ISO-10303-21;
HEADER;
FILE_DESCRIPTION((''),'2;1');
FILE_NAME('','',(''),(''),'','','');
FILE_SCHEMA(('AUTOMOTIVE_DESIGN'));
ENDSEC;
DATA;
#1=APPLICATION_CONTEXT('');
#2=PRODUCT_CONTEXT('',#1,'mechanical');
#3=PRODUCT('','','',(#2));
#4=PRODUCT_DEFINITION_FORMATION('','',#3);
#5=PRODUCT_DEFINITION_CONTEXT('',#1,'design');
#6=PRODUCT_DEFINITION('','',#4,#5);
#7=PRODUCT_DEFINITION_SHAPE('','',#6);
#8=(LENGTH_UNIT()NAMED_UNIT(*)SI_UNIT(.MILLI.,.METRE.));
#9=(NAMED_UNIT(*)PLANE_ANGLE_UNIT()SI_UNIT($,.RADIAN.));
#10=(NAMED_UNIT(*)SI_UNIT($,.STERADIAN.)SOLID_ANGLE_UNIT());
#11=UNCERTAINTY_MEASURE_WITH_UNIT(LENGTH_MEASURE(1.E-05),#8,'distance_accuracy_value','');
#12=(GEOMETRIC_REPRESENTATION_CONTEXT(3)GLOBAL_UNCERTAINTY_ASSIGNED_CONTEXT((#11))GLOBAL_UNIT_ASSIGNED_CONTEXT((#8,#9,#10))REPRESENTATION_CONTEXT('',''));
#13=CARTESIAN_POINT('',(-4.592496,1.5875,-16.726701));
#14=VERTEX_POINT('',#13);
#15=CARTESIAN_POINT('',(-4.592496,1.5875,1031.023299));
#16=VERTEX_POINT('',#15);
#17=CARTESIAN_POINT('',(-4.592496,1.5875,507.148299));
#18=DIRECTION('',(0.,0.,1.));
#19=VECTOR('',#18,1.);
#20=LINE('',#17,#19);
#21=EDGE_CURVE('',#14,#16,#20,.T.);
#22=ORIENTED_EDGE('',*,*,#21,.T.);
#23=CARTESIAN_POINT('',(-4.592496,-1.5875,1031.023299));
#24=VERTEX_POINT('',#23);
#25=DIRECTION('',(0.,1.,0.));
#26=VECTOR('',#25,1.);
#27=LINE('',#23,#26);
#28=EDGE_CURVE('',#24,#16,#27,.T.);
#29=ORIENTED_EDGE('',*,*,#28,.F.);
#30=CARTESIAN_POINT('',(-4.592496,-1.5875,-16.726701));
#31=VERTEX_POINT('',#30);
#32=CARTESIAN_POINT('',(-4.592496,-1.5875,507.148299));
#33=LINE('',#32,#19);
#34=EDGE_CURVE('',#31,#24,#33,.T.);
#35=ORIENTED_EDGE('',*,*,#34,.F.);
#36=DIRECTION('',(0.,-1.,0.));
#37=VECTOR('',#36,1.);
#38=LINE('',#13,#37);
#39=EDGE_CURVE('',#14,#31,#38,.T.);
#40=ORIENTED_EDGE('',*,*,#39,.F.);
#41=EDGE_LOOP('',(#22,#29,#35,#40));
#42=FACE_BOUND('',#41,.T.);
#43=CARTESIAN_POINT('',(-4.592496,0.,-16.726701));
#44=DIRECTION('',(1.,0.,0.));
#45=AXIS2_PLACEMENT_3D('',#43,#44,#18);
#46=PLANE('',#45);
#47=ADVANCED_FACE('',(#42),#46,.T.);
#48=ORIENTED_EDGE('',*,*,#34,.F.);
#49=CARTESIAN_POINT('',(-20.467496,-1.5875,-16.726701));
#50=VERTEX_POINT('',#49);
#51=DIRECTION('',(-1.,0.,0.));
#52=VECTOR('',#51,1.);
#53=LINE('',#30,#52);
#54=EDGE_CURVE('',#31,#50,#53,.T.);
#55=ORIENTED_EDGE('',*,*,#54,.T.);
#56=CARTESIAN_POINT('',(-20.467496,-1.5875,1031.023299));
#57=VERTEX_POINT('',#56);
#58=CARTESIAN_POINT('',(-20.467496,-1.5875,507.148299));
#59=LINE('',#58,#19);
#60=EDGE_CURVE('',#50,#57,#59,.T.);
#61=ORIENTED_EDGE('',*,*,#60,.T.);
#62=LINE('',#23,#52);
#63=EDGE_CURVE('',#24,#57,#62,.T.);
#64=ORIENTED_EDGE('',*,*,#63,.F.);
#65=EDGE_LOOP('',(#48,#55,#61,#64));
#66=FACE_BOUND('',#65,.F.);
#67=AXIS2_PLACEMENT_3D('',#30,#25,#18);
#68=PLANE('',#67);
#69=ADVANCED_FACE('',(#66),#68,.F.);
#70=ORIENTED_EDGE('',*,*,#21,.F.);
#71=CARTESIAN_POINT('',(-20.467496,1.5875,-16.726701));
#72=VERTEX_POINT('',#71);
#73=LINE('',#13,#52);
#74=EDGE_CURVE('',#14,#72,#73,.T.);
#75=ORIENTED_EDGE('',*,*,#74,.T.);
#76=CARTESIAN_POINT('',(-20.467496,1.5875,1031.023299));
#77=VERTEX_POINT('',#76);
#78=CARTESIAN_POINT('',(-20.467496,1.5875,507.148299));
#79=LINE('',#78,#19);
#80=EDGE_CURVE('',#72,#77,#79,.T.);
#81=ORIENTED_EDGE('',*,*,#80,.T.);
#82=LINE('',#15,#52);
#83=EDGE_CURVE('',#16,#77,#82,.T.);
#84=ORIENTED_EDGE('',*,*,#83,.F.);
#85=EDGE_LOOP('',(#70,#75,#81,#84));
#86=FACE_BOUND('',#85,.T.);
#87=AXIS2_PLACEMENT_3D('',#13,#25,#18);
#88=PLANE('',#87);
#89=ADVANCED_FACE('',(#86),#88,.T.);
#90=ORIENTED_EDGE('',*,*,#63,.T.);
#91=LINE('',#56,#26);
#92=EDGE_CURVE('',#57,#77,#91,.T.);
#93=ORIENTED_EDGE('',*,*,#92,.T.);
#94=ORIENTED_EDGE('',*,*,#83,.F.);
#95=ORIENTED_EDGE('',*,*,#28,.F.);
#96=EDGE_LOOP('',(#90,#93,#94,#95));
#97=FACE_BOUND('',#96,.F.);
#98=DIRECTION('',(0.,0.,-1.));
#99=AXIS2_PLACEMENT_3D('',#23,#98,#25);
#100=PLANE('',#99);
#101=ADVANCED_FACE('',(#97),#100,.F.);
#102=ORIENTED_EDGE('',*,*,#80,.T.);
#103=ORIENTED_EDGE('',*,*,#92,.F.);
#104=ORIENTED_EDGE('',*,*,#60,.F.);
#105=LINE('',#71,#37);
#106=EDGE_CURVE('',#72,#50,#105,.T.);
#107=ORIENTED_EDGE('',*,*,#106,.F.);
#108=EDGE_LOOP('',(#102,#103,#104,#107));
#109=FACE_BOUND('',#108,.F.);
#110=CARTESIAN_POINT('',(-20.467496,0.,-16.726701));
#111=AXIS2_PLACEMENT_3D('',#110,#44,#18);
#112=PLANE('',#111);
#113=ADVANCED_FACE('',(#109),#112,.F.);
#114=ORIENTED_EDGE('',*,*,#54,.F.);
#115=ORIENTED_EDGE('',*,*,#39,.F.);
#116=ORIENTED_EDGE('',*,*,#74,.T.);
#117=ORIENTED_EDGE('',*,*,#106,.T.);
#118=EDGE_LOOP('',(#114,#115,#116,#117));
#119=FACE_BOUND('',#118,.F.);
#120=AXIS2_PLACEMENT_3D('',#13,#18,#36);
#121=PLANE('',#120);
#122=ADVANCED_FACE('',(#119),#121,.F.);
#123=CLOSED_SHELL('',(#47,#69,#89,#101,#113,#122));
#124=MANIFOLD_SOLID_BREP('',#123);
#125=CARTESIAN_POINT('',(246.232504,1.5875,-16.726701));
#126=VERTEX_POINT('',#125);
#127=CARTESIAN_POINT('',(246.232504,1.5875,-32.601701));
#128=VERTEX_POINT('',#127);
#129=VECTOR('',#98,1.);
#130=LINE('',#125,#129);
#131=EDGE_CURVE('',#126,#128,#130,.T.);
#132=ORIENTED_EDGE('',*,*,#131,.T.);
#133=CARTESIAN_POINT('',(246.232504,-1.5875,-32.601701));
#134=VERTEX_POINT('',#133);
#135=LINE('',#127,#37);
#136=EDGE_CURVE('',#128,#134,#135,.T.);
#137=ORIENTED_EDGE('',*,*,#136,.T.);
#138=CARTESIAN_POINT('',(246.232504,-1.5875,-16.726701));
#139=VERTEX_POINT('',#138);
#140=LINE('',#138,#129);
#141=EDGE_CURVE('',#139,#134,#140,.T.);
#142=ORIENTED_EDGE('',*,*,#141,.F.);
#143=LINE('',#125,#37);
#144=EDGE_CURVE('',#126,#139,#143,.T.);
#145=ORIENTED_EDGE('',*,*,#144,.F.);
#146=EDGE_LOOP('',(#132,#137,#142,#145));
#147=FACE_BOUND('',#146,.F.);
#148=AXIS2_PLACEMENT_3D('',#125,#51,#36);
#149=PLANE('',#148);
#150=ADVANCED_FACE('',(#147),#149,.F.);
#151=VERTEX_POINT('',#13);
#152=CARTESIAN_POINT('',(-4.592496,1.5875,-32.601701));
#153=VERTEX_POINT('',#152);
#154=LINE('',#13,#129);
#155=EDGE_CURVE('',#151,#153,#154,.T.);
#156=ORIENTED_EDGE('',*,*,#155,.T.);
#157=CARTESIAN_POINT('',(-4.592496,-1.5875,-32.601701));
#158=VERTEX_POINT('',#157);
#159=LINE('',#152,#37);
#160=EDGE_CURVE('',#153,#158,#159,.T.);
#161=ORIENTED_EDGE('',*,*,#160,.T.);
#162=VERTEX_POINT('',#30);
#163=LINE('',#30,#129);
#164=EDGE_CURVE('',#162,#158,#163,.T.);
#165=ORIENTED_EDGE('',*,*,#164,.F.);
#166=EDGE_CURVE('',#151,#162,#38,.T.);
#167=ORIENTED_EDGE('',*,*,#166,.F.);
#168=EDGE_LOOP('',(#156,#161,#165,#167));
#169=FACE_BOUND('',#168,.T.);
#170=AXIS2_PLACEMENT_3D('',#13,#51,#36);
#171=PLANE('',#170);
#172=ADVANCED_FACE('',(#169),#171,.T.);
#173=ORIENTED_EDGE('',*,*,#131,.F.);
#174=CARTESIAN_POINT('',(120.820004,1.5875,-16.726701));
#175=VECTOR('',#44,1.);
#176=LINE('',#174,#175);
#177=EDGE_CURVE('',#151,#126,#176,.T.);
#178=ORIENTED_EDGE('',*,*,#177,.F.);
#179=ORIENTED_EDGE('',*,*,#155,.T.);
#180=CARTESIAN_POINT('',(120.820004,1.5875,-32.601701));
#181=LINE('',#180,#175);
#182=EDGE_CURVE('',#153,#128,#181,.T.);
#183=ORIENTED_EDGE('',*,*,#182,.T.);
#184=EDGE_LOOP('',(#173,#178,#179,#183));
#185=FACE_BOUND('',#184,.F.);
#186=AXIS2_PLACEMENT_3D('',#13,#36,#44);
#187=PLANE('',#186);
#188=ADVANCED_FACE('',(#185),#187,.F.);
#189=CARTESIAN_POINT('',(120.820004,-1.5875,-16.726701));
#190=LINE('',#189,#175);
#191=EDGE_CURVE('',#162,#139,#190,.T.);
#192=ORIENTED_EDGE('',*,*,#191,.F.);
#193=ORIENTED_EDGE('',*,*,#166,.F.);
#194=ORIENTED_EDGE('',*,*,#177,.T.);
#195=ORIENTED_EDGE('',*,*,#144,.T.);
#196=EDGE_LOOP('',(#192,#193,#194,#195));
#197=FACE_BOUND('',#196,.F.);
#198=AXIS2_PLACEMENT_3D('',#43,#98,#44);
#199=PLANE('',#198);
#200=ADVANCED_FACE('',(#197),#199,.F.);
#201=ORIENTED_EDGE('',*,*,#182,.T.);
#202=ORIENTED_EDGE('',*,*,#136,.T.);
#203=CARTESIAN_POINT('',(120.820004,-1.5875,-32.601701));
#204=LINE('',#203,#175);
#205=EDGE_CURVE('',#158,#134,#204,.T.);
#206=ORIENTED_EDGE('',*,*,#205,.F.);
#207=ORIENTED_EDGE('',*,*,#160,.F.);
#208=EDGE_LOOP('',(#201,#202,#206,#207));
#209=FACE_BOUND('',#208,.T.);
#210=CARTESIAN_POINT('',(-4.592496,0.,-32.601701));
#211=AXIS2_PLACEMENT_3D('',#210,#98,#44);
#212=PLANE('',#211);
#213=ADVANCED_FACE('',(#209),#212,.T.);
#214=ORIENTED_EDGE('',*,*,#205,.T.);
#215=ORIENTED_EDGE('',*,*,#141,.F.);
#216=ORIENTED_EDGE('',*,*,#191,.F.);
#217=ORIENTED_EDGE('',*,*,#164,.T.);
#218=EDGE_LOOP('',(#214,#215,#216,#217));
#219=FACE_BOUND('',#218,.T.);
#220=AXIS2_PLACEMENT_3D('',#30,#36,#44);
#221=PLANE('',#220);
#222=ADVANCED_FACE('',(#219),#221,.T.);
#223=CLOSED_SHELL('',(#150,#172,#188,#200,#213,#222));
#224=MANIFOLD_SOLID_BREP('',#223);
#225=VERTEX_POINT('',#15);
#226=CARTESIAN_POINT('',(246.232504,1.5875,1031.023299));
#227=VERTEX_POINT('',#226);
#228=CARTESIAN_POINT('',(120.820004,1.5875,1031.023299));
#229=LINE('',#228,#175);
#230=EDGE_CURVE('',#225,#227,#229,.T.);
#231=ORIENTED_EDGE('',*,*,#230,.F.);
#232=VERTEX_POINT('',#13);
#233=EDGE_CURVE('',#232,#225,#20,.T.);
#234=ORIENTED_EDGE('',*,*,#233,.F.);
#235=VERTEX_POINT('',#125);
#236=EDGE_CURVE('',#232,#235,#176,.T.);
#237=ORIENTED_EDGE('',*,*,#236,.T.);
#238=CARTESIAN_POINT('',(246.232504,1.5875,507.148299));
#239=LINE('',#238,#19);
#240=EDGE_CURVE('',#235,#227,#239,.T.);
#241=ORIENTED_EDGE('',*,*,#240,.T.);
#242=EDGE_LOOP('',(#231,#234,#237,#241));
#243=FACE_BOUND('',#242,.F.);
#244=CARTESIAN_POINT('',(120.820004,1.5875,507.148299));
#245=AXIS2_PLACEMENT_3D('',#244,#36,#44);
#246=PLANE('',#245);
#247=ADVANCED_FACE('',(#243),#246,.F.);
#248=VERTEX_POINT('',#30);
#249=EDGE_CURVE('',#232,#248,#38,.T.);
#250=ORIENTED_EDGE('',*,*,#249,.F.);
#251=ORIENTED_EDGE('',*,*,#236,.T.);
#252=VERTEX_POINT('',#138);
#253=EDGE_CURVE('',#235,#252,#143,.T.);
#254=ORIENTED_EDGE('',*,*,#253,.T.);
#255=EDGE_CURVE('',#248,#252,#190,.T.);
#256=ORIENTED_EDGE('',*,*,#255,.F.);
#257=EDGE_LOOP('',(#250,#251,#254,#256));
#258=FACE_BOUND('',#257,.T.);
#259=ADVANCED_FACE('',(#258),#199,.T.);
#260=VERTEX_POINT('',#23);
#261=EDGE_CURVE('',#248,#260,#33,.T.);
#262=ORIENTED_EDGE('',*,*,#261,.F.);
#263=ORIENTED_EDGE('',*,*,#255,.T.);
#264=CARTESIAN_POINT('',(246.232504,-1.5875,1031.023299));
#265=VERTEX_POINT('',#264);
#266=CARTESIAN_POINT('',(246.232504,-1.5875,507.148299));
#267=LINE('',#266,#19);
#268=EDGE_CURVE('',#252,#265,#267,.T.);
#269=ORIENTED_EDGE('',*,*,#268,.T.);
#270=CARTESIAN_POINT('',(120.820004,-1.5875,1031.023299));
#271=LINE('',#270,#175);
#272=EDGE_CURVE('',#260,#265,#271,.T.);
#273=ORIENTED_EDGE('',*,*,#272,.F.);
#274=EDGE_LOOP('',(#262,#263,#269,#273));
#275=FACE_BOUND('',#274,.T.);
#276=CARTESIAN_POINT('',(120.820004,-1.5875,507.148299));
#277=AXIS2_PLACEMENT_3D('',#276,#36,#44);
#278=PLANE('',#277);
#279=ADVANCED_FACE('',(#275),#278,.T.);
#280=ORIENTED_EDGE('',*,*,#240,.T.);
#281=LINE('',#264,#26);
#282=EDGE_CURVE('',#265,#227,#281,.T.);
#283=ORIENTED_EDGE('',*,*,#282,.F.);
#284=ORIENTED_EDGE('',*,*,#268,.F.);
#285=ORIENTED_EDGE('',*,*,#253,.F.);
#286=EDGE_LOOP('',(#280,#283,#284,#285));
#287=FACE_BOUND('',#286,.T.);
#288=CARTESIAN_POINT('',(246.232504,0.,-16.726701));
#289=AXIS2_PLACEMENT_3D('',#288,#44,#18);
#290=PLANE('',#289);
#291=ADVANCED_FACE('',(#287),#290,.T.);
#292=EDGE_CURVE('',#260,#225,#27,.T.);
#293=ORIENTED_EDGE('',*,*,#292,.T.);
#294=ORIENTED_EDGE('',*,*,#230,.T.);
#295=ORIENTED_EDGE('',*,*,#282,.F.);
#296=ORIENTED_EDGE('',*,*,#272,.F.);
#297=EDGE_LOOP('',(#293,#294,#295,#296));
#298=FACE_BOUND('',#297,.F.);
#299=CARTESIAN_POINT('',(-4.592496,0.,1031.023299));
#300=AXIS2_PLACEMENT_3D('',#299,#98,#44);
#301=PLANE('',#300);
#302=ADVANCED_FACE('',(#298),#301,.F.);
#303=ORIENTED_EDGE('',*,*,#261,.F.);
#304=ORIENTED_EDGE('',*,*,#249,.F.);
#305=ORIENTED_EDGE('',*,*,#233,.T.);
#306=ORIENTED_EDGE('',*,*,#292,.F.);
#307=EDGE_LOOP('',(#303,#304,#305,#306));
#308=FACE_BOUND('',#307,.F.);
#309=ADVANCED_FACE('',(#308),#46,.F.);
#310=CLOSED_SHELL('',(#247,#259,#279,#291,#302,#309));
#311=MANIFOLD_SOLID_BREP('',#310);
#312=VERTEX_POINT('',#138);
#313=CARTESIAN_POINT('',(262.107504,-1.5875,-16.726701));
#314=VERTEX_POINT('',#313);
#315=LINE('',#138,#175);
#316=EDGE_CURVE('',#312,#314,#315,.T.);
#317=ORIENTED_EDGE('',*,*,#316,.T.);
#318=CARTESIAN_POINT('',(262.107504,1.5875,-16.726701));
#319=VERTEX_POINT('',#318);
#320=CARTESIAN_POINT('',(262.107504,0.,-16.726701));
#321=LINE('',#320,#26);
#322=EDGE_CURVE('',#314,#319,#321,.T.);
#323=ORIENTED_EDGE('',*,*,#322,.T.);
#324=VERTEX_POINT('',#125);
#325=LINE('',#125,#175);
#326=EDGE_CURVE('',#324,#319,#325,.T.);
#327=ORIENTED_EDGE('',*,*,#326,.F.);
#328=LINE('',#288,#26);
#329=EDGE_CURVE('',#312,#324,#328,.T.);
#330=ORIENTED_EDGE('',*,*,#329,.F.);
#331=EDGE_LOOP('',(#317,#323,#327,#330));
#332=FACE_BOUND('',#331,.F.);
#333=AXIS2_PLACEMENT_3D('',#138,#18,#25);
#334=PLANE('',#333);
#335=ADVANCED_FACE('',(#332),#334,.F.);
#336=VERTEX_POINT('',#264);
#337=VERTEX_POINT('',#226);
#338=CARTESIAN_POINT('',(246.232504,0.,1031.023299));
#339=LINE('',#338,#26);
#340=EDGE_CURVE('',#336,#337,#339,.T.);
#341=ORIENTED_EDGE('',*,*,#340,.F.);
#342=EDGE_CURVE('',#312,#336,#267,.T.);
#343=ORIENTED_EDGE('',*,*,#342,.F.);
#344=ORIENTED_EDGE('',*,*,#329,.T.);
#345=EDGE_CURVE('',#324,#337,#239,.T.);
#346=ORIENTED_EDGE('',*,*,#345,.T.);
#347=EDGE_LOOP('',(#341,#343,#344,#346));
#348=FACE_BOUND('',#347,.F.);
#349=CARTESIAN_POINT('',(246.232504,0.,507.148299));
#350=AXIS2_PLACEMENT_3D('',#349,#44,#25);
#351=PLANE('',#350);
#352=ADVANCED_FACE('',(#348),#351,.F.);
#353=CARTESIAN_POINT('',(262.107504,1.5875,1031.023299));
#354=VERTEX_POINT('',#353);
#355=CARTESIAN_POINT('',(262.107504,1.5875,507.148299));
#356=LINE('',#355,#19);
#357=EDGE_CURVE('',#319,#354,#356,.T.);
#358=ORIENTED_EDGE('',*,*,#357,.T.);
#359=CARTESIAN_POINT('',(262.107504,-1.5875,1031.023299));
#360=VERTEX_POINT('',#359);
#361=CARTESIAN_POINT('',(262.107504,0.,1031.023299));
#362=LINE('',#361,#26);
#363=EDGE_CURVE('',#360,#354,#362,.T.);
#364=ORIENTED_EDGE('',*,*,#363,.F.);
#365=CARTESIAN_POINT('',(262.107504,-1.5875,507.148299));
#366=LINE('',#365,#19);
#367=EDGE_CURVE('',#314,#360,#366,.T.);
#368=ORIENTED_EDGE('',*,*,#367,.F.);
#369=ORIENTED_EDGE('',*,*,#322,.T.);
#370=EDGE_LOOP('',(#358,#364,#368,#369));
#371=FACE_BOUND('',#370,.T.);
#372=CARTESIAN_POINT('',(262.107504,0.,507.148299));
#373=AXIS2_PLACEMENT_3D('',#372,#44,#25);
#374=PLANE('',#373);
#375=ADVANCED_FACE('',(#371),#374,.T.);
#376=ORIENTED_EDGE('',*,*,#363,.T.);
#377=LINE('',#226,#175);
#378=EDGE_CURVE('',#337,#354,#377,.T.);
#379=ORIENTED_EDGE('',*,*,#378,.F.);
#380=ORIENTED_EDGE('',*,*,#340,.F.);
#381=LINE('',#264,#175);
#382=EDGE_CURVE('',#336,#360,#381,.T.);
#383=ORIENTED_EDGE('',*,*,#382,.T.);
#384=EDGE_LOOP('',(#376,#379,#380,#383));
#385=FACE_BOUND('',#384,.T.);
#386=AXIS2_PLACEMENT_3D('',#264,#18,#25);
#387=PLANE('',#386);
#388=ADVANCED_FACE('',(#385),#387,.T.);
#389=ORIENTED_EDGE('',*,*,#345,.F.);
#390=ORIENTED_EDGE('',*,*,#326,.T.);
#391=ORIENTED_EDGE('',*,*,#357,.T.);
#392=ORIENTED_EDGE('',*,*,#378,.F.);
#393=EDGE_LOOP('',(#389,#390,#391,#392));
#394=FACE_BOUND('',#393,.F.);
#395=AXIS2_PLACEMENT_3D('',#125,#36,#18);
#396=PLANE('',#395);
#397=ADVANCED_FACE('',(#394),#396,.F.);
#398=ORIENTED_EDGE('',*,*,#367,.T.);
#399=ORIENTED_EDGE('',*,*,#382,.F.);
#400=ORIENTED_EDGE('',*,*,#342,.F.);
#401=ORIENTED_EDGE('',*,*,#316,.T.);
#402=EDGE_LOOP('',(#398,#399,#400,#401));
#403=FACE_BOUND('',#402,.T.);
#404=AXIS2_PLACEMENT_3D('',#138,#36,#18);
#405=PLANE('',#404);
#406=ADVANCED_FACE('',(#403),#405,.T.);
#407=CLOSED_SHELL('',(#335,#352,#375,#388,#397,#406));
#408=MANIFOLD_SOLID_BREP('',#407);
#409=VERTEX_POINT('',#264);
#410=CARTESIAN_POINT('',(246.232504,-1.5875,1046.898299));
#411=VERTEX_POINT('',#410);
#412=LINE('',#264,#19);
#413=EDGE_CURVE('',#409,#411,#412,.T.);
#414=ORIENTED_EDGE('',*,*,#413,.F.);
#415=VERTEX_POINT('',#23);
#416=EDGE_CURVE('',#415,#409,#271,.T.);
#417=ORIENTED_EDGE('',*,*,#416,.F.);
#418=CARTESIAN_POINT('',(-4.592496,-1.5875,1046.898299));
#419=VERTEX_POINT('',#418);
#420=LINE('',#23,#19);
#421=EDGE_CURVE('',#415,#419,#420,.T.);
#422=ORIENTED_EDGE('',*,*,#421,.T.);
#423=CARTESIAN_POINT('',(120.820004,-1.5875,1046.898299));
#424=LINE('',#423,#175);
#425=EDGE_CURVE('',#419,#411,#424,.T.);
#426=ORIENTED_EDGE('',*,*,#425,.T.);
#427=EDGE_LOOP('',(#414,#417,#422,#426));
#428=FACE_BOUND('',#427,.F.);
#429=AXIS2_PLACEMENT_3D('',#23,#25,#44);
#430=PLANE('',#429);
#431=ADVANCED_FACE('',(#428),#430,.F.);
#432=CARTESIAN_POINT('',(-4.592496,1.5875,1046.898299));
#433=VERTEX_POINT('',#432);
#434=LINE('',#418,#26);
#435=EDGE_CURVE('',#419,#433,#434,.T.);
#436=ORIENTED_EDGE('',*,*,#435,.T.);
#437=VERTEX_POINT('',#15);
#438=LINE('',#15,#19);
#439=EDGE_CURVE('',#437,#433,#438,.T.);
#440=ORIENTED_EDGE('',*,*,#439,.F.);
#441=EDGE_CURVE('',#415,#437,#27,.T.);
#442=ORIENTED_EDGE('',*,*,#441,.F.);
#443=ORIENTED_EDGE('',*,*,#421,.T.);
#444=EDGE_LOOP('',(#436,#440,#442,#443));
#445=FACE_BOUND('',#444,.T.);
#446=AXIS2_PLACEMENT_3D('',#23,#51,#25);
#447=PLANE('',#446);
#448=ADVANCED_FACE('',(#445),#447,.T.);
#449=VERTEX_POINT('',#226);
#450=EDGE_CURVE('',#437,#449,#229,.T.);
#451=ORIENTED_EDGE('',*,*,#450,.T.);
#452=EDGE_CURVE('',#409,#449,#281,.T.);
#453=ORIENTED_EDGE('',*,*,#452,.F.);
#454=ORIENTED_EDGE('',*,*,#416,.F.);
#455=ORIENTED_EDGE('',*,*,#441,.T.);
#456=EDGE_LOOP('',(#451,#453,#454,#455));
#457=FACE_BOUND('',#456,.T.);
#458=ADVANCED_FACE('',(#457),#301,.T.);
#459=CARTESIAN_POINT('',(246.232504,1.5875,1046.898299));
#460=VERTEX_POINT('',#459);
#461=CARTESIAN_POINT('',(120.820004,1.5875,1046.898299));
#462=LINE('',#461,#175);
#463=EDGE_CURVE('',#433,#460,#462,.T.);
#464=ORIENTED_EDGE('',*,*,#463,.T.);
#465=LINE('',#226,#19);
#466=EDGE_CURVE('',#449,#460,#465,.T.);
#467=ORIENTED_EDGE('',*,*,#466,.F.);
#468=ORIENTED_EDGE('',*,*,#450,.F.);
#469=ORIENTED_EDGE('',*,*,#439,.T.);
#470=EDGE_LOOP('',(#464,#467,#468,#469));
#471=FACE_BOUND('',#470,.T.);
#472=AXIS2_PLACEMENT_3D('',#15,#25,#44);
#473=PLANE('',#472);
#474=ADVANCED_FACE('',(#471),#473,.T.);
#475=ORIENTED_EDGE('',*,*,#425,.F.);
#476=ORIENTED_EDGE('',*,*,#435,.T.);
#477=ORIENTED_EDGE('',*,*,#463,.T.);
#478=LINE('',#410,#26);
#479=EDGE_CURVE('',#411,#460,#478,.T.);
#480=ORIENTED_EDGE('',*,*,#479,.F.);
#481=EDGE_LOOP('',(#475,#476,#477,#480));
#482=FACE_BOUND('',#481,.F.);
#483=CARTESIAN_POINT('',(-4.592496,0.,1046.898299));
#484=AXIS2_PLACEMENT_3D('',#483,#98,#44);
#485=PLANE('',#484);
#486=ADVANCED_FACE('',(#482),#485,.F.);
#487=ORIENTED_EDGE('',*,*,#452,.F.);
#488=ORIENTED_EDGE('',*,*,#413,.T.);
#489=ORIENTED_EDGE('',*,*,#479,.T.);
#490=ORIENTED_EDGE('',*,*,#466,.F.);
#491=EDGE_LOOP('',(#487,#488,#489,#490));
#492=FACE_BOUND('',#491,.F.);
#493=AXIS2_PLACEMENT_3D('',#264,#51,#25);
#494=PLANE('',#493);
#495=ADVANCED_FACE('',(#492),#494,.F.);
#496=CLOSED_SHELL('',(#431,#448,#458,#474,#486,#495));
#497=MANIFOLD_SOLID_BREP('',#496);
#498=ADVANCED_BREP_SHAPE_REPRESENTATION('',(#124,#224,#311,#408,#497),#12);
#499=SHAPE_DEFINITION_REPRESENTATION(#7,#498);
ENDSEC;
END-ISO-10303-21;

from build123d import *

# Parameters (mm, degrees)
F0_W     = 250.825
F0_H     = 1047.75
F1_DEPTH = 1.5875
F2_W     = 3.175
F2_H     = 1047.75
F3_DEPTH = 15.875
F4_DEPTH = 15.875
F5_DEPTH = 15.875
F6_DEPTH = 15.875


with BuildPart() as f1:
    # F0 (on Front) → F1 (new body, symmetric)
    with BuildSketch(Plane.XZ):
        with Locations((120.8200038359, 507.1482994068)):
            Rectangle(F0_W, F0_H)
    extrude(amount=F1_DEPTH, both=True)


with BuildPart() as f3:
    # F2 (on face) → F3 (new body)
    with BuildSketch(Plane.YZ.offset(246.2325038359)):
        with Locations((0, 507.1482994068)):
            Rectangle(F2_W, F2_H)
    extrude(amount=F3_DEPTH)


with BuildPart() as f4:
    # F4 (new): a face of the model
    f4_faces = [f1.part.faces().sort_by_distance(p)[0] for p in [
        (120.8200038359, 0, 1031.0232994068),
    ]]
    extrude(f4_faces, amount=F4_DEPTH)


with BuildPart() as f5:
    # F5 (new): a face of the model
    f5_faces = [f1.part.faces().sort_by_distance(p)[0] for p in [
        (-4.5924961641, 0, 507.1482994068),
    ]]
    extrude(f5_faces, amount=F5_DEPTH)


with BuildPart() as f6:
    # F6 (new): a face of the model
    f6_faces = [f1.part.faces().sort_by_distance(p)[0] for p in [
        (120.8200038359, 0, -16.7267005932),
    ]]
    extrude(f6_faces, amount=F6_DEPTH)


solid = Compound([f1.part, f3.part, f4.part, f5.part, f6.part])
